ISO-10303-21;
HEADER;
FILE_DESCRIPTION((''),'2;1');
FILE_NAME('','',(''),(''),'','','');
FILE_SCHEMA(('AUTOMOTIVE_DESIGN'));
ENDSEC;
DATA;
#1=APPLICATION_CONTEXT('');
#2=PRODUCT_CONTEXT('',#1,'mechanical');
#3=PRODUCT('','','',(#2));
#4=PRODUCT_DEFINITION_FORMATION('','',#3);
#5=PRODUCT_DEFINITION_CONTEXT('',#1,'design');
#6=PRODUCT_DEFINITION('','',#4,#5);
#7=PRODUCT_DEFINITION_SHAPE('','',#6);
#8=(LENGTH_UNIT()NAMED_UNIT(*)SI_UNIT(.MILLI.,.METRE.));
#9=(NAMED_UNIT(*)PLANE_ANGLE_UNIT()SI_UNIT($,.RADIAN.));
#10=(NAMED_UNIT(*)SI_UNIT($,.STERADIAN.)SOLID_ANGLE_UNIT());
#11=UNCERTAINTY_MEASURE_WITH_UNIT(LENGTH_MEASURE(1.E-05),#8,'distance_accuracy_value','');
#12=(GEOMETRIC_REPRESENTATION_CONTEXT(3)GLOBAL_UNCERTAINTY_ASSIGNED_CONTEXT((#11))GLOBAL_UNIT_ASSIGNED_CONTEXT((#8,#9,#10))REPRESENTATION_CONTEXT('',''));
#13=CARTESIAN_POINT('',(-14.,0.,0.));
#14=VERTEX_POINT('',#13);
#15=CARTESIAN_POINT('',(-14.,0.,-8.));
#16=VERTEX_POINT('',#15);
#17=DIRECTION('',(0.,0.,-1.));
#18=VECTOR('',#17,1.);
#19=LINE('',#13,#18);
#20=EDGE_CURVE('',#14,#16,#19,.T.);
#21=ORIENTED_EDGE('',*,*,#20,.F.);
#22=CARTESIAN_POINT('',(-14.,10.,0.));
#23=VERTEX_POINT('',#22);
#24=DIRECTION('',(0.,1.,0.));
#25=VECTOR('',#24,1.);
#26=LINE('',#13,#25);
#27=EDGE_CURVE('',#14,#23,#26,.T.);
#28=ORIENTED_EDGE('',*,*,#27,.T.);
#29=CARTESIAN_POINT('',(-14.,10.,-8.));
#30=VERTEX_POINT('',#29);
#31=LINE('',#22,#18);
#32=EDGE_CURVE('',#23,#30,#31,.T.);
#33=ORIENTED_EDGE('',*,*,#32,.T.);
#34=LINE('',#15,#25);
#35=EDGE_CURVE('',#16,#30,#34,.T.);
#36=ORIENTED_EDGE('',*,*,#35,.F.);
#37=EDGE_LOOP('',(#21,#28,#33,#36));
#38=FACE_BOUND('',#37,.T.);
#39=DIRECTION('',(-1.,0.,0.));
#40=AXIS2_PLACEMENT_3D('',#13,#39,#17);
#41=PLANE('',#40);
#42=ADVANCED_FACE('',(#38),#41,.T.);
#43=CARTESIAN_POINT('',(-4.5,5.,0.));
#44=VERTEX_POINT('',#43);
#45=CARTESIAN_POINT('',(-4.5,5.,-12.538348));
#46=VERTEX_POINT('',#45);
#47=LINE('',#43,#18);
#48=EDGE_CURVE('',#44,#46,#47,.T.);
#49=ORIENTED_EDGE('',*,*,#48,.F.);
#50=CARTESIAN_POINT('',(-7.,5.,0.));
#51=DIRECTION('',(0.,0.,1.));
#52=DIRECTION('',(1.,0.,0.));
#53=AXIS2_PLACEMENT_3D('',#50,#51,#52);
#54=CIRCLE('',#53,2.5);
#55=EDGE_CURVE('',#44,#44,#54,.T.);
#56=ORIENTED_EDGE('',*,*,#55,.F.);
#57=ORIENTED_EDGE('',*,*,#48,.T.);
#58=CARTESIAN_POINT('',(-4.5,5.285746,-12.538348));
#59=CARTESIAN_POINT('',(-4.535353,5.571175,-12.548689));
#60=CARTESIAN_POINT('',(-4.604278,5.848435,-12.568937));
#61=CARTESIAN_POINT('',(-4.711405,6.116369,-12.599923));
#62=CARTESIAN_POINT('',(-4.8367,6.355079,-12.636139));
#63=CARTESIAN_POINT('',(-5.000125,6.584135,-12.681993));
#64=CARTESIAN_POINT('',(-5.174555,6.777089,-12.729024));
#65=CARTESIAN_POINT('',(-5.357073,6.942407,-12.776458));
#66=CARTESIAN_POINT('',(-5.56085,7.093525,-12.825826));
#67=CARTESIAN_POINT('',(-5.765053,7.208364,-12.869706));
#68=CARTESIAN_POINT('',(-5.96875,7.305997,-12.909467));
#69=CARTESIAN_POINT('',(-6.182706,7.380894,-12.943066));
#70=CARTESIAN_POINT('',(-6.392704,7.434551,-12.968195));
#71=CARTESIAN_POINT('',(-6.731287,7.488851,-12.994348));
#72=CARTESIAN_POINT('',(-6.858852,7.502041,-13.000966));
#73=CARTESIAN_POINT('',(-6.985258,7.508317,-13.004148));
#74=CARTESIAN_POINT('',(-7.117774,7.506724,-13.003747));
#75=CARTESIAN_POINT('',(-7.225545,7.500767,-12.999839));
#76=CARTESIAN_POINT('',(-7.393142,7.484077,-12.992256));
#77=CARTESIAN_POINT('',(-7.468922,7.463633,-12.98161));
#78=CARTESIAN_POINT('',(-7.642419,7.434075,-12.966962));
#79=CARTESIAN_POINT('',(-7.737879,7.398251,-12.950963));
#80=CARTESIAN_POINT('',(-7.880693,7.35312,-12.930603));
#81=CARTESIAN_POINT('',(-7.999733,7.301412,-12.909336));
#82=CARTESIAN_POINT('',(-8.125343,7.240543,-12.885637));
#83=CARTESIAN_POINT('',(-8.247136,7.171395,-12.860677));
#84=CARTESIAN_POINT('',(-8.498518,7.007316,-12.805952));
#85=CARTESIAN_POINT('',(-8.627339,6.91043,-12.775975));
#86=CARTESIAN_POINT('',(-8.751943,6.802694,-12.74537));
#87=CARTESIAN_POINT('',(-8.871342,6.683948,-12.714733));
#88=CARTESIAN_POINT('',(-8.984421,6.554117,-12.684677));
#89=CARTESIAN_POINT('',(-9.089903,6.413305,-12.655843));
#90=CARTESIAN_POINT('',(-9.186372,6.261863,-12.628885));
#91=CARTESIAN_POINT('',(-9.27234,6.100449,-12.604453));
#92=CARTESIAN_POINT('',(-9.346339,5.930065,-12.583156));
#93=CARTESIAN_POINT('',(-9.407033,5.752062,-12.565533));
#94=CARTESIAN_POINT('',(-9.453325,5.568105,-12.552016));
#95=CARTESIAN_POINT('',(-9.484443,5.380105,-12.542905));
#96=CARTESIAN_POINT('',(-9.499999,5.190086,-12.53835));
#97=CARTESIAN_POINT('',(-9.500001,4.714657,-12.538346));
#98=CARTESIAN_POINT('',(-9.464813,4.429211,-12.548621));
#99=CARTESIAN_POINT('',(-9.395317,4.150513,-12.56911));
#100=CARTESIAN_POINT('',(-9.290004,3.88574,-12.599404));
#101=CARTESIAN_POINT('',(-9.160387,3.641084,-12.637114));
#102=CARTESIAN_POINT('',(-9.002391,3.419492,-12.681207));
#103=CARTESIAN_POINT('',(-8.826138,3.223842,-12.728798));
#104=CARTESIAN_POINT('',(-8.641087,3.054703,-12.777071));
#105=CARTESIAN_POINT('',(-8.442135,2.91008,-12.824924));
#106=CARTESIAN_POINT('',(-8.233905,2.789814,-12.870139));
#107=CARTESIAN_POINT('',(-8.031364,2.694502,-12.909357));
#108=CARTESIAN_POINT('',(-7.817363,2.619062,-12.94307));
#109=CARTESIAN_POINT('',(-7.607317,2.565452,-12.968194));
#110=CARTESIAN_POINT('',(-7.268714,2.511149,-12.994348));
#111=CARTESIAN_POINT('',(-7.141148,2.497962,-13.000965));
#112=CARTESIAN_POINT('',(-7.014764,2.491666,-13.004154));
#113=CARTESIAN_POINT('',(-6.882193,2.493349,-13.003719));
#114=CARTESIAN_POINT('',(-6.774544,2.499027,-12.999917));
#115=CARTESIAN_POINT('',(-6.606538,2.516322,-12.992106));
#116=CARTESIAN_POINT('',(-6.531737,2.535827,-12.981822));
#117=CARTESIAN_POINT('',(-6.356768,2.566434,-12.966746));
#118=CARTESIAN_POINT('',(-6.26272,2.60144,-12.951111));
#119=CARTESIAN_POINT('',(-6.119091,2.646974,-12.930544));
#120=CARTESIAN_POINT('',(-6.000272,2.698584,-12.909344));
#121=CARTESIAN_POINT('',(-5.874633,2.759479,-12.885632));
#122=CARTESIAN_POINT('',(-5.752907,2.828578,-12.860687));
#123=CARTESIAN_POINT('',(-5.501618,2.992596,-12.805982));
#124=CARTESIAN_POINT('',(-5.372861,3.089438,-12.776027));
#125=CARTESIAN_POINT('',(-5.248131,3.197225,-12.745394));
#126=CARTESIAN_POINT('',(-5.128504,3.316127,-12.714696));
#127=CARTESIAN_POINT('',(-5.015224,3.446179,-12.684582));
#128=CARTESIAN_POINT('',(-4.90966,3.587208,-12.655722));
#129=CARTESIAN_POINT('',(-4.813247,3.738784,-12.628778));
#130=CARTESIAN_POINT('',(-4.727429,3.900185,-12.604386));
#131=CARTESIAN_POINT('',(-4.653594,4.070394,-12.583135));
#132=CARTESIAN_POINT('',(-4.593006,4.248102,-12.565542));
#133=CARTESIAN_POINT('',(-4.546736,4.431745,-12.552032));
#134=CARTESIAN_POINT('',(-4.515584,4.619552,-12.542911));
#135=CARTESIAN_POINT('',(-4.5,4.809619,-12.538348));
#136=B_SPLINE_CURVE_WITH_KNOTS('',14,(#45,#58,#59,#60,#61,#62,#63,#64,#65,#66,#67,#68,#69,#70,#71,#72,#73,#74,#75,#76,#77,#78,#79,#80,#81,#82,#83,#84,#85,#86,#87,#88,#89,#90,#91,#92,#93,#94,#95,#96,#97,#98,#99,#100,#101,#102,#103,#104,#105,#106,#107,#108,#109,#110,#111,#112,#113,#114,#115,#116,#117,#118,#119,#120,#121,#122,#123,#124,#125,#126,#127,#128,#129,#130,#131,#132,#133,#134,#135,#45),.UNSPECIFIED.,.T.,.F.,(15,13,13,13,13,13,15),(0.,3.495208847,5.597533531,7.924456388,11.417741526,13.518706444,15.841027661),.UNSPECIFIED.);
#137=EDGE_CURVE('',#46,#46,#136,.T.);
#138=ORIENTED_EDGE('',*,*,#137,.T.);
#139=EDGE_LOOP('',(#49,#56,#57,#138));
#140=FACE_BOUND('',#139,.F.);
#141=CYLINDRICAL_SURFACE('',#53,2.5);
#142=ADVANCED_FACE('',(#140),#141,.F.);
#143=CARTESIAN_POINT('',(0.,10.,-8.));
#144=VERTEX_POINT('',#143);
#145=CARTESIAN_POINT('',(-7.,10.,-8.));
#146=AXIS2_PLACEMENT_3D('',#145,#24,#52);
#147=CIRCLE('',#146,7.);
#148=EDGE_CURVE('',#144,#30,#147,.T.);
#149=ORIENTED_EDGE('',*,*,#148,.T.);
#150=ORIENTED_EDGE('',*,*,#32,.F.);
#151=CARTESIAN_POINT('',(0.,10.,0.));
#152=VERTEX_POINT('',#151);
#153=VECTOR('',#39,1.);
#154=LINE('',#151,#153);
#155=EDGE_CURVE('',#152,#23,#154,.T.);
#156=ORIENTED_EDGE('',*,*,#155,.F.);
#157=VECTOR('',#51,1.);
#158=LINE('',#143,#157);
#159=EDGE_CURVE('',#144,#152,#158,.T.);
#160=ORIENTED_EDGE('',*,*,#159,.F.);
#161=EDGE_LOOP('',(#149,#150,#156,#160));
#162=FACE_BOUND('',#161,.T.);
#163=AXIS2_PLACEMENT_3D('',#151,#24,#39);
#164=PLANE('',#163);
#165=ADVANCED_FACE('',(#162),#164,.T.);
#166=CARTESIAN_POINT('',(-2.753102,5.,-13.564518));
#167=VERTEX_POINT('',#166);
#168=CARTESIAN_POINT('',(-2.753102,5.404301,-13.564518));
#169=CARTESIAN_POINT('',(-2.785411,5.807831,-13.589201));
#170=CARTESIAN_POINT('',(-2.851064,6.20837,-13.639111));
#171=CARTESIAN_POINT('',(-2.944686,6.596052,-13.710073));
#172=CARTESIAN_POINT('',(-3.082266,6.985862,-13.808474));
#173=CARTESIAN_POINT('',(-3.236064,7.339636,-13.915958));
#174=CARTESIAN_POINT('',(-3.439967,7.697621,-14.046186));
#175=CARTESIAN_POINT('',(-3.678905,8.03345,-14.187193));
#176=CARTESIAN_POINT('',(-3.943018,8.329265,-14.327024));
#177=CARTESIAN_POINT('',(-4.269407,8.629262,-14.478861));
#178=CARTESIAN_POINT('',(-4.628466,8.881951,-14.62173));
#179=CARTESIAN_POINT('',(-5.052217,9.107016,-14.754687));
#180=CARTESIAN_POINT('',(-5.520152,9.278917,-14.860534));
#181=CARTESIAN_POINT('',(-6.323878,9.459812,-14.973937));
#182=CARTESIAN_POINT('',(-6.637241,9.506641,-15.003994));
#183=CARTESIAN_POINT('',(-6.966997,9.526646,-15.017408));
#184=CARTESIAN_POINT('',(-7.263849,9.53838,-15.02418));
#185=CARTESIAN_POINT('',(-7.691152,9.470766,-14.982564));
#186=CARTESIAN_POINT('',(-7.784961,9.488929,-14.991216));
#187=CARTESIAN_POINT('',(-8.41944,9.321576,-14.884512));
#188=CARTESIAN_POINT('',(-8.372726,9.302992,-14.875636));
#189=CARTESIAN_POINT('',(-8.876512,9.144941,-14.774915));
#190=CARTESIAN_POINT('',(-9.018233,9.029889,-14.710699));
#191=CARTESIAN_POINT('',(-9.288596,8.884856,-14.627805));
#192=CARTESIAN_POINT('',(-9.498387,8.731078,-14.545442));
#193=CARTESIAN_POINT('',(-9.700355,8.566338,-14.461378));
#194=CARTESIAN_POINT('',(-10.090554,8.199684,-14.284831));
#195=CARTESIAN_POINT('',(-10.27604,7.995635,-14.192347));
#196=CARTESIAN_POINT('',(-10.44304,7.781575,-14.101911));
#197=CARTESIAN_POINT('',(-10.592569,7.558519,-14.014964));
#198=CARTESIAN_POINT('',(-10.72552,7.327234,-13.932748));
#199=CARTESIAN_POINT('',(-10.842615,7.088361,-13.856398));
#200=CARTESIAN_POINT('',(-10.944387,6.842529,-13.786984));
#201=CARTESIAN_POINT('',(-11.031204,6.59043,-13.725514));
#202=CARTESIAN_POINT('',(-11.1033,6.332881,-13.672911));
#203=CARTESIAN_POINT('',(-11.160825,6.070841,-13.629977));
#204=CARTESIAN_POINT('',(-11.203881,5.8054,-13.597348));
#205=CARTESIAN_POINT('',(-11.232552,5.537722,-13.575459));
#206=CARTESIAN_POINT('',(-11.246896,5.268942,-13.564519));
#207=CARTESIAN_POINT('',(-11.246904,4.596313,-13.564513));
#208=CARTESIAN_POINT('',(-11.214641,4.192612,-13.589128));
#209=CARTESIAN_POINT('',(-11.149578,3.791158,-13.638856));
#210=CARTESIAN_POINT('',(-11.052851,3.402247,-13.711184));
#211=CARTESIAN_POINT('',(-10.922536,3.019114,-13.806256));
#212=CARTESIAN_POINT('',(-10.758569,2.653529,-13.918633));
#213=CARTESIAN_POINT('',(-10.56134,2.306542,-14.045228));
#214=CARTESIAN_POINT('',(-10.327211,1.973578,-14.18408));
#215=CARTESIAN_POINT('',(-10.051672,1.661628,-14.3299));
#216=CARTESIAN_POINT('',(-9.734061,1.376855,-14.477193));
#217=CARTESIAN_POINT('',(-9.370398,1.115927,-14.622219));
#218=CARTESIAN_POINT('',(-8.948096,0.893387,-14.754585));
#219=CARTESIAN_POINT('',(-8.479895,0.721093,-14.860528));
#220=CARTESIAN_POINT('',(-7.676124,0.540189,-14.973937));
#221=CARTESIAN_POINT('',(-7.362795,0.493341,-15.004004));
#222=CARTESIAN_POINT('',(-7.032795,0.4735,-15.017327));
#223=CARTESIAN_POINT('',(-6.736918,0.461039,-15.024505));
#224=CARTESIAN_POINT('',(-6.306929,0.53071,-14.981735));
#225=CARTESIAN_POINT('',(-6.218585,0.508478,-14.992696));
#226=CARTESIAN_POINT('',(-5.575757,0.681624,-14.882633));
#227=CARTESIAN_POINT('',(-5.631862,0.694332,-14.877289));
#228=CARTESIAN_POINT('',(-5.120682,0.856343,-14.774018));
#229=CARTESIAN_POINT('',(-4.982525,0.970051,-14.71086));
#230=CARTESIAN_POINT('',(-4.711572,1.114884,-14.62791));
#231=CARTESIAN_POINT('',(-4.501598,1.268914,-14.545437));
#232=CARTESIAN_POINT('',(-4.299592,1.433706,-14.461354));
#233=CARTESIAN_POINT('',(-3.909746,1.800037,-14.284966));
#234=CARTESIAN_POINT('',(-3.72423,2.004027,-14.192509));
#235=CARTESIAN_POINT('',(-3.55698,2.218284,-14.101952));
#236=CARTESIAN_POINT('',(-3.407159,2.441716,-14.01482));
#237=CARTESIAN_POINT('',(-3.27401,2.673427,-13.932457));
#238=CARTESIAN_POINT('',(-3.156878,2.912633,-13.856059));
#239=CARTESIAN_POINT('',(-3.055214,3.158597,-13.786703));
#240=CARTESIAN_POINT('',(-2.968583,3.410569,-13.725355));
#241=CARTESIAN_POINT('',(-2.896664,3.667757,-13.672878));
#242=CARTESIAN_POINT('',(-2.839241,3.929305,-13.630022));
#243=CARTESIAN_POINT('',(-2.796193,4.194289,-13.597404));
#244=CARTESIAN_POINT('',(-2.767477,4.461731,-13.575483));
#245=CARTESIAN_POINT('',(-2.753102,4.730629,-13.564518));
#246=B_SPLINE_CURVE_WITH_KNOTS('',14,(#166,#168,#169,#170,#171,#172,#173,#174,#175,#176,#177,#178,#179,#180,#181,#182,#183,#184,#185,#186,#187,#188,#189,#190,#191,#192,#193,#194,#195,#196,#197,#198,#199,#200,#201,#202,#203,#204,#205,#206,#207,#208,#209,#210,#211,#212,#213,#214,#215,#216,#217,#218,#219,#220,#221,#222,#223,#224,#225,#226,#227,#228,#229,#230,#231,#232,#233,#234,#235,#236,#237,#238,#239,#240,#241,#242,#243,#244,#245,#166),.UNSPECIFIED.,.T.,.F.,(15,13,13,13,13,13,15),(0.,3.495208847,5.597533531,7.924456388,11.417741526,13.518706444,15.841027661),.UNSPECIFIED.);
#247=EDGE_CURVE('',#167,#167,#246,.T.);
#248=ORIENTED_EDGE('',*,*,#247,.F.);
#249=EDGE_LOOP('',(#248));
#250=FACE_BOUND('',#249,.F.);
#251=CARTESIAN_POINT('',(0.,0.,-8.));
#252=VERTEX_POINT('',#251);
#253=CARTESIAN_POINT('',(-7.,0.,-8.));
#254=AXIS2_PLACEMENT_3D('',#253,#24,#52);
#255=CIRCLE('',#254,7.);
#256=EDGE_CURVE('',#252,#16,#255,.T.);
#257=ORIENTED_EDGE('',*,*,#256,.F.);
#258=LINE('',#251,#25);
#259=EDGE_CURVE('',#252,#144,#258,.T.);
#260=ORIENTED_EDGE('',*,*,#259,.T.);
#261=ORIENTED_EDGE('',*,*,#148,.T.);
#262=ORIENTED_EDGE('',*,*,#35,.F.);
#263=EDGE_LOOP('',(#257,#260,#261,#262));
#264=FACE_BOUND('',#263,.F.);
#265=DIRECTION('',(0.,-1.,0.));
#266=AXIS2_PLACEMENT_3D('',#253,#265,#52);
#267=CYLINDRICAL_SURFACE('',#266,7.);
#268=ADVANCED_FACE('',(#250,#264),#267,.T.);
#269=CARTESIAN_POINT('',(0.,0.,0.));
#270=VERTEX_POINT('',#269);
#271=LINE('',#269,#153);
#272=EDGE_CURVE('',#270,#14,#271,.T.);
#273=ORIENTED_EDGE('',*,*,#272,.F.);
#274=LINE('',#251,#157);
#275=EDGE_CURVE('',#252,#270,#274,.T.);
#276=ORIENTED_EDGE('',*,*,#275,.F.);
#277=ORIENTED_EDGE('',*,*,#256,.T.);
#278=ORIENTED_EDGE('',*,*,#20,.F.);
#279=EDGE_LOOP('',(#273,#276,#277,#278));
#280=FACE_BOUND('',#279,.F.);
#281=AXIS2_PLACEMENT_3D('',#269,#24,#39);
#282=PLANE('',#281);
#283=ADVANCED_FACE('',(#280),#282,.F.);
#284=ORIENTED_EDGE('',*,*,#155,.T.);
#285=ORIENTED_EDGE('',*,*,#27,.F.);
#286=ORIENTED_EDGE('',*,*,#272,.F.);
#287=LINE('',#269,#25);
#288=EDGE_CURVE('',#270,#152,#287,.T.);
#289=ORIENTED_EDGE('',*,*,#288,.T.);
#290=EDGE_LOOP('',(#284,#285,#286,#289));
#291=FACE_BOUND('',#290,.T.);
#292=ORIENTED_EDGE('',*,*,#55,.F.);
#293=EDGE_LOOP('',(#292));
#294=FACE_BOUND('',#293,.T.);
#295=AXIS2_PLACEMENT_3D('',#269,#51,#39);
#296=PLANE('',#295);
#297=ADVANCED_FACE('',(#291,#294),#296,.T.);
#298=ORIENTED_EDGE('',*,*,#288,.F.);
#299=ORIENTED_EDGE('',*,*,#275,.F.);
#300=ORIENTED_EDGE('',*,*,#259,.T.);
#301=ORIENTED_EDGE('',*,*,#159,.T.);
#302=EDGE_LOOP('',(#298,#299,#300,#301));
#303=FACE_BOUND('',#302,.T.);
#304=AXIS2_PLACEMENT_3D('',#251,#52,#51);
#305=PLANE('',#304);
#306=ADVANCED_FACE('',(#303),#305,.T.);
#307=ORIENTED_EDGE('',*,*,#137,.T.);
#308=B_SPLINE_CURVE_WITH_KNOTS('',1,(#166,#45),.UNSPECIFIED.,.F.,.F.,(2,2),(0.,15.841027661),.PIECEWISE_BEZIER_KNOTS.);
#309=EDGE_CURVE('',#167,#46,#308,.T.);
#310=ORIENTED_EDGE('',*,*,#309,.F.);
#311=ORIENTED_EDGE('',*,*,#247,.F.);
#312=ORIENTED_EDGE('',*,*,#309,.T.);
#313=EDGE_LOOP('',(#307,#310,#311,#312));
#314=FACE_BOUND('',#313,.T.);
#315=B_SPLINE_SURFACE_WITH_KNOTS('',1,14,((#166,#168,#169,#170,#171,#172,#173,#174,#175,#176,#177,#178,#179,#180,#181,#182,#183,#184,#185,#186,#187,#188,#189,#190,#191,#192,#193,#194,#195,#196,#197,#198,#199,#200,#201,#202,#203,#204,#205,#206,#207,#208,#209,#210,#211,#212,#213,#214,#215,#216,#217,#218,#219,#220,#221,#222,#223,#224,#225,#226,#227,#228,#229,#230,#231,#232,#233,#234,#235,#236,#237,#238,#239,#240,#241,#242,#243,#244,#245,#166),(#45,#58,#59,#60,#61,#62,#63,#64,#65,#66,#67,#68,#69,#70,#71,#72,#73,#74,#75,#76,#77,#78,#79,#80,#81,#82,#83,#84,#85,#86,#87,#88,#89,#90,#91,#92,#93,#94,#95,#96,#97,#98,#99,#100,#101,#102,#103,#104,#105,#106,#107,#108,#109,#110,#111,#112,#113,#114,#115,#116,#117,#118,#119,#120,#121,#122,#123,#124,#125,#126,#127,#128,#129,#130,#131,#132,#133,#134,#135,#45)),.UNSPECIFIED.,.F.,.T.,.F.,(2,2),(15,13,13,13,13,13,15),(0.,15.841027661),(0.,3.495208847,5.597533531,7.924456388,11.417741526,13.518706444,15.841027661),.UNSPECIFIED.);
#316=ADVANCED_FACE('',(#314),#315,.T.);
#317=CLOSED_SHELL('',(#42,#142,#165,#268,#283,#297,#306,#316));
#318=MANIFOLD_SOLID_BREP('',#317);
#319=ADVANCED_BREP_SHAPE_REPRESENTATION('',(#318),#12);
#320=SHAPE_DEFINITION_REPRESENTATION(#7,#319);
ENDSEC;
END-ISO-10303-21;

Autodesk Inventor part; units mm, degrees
ref_plane "YZ Plane" through (0, 0, 0) normal (1, 0, 0) x (0, 1, 0)
ref_plane "XZ Plane" through (0, 0, 0) normal (0, 1, 0) x (-1, 0, 0)
ref_plane "XY Plane" through (0, 0, 0) normal (0, 0, 1) x (1, 0, 0)
sketch "Sketch1" plane through (0, 0, 0) normal (0, 1, 0) x (-1, 0, 0)
  line L0 (0, -8) -> (0, 0)
  line L1 (0, 0) -> (14, 0)
  line L2 (14, 0) -> (14, -8)
  arc A0 (0, -8) -> (14, -8) centre (7, -8) ccw
  dimension "d0" = 14
  dimension "d1" = 7
  dimension "d2" = 8
extrude "Extrusion1" add sketch "Sketch1" along normal blind 10
sketch "Sketch2" plane through (-14, 0, 0) normal (0, 0, 1) x (1, 0, 0)
  circle A0 centre (7, 5) radius 2.5
  line L0 (0, 0) -> (14, 0) projected
  line L1 (0, 0) -> (0, 10) projected
  dimension "d5" = 5
  dimension "d6" = 5
  dimension "d7" = 7
extrude "Extrusion2" cut sketch "Sketch2" against normal through all
chamfer "Chamfer1" distance 2 angle 45 1 edges at (-9.5, 5.0035, -14.5383)
properties part number "SUPPORT_POULIE"
